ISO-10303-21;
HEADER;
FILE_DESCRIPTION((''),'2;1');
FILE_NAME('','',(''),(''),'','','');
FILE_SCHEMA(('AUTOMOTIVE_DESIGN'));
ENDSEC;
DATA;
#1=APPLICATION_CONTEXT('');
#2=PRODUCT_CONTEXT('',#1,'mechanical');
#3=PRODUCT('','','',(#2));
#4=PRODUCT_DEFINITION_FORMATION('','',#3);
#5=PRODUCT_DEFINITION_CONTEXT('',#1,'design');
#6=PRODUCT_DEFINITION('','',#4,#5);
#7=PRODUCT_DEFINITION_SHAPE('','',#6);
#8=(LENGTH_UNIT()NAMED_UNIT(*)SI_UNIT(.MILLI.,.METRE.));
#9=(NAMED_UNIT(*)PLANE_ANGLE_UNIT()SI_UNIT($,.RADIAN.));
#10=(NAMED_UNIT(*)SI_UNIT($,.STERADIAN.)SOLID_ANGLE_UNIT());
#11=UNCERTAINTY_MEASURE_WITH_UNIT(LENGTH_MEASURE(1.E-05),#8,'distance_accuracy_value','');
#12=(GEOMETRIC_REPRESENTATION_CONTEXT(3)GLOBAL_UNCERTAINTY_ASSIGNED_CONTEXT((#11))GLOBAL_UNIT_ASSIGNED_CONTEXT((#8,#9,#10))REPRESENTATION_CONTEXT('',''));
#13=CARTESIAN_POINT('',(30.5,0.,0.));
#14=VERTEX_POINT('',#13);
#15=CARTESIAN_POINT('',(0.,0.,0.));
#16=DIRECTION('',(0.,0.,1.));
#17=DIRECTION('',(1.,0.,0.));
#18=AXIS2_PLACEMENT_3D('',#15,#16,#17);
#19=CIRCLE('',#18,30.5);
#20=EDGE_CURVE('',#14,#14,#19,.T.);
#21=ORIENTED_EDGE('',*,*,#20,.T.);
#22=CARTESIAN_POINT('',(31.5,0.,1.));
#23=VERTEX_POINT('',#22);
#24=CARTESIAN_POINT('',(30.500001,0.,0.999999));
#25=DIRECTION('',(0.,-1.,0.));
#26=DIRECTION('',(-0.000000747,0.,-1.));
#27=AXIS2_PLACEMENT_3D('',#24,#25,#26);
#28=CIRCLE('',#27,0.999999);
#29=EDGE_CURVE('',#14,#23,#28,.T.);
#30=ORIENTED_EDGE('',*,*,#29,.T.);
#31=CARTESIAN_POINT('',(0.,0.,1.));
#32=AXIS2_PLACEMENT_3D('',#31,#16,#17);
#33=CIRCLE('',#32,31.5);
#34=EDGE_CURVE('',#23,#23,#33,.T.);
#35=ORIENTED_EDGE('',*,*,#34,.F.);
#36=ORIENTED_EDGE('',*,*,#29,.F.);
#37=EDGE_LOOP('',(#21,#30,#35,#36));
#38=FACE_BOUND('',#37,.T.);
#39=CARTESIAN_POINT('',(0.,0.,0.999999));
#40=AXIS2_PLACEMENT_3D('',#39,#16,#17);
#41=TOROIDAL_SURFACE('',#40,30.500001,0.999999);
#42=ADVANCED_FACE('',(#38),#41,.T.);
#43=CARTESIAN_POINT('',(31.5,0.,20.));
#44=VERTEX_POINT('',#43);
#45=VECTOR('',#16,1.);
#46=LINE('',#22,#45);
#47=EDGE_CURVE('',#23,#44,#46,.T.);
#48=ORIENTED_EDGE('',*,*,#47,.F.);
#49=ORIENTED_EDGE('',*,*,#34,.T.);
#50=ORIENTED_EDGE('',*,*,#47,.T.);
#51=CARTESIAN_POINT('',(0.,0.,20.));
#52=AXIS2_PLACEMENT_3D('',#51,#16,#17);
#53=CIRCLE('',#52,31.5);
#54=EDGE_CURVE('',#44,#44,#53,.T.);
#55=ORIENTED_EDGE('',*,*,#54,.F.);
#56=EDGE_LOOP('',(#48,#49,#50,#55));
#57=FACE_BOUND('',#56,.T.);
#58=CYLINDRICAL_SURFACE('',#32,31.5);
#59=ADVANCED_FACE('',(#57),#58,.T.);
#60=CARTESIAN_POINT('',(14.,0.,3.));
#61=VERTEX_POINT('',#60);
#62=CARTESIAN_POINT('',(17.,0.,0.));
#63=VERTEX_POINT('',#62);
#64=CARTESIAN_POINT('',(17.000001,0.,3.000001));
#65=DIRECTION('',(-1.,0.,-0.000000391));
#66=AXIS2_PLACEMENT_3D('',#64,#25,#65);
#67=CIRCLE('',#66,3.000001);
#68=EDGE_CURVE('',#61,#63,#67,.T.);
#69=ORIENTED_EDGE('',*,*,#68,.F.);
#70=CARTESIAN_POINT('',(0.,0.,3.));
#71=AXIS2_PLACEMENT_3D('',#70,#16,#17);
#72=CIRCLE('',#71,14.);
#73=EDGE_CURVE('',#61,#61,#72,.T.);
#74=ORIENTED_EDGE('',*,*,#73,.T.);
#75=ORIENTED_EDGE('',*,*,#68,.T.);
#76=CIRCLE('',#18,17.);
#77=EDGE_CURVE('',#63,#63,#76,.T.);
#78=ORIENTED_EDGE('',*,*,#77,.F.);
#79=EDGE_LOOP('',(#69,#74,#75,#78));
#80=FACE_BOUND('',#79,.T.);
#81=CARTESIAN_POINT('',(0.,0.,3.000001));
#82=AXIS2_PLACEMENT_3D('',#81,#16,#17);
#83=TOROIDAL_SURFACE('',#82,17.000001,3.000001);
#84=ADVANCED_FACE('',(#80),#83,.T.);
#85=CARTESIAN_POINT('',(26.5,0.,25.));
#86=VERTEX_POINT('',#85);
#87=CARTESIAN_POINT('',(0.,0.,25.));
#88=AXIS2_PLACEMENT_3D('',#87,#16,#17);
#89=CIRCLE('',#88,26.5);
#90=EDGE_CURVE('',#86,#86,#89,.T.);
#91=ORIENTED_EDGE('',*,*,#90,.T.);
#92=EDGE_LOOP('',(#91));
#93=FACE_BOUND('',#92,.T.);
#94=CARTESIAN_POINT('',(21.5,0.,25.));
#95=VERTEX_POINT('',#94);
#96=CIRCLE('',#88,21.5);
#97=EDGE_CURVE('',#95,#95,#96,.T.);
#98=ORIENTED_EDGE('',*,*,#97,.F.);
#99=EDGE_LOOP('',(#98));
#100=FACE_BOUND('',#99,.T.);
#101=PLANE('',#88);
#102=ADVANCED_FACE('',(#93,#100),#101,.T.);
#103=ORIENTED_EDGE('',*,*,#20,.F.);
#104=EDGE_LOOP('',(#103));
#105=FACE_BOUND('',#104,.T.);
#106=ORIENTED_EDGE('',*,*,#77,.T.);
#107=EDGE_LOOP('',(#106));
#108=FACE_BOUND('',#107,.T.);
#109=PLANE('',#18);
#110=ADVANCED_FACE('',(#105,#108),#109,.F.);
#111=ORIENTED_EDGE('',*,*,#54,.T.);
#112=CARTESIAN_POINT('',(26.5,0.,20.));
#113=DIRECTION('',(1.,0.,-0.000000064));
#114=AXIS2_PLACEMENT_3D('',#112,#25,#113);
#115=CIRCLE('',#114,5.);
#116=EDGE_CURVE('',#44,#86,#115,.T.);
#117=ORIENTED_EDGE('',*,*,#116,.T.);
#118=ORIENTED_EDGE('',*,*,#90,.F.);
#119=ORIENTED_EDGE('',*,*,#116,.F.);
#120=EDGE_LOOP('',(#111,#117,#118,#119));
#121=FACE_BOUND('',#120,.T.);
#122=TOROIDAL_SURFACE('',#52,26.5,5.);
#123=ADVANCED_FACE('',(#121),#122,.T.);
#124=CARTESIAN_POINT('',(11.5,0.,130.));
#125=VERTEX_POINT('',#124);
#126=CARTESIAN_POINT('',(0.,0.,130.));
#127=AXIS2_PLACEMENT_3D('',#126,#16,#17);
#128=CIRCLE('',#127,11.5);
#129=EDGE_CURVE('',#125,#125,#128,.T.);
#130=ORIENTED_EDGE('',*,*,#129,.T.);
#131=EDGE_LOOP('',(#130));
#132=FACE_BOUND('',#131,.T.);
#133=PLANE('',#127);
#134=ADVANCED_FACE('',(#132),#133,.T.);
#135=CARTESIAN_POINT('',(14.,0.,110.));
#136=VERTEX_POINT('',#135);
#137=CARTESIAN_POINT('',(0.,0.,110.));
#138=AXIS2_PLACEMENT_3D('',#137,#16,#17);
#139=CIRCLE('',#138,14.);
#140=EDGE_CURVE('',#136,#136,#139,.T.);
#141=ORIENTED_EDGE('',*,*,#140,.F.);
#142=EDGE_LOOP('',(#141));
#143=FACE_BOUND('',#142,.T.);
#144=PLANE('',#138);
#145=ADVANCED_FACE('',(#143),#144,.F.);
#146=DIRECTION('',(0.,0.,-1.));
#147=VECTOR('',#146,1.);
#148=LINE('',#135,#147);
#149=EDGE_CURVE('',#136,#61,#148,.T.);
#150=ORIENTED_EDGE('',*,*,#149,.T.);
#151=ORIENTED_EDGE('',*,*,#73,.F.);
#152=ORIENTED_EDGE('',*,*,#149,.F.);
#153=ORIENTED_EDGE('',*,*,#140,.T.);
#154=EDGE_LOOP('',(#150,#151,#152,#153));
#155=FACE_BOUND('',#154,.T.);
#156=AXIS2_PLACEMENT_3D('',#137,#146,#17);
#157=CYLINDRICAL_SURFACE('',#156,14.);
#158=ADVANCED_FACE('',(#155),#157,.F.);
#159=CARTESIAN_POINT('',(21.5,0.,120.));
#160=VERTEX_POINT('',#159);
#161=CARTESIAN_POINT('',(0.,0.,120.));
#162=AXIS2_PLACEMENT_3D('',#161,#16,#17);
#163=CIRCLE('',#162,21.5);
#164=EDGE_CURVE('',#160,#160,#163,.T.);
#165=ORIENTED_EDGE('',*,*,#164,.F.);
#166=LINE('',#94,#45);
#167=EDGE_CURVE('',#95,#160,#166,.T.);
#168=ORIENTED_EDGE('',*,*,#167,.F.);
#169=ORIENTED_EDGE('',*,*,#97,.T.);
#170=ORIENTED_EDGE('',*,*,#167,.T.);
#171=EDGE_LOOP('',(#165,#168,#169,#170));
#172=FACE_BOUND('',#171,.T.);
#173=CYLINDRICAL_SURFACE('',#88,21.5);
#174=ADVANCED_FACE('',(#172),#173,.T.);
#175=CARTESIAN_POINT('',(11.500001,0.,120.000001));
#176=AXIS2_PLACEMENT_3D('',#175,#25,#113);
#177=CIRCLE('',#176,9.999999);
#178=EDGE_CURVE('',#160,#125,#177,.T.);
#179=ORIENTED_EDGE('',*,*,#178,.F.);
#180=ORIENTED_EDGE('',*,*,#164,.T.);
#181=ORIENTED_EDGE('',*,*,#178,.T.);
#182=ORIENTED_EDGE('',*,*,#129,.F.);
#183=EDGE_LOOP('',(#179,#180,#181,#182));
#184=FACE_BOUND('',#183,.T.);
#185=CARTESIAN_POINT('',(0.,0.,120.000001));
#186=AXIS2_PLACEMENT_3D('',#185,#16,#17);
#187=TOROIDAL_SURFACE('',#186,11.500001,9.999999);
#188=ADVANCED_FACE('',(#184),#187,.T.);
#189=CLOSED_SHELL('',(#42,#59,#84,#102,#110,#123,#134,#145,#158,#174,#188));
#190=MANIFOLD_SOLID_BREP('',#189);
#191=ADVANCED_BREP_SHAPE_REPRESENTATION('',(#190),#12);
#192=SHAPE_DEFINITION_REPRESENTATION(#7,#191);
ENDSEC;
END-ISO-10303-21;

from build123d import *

# Parameters (mm, degrees)
F0_W = 7.5
F0_H = 85


with BuildPart() as f1:
    # F0 (on Front) → F1 (revolve)
    with BuildSketch(Plane.XZ):
        with Locations((17.75, 67.5)):
            Rectangle(F0_W, F0_H)
        with BuildLine():
            ThreePointArc((14, 3), (14.87868, 0.87868), (17, 0))
            Line((17, 0), (30.5, 0))
            ThreePointArc((30.5, 0), (31.207107, 0.292893), (31.5, 1))
            Line((31.5, 1), (31.5, 20))
            ThreePointArc((31.5, 20), (30.035534, 23.535534), (26.5, 25))
            Line((26.5, 25), (21.5, 25))
            Line((21.5, 25), (14, 25))
            Line((14, 25), (14, 3))
        make_face()
        with BuildLine():
            Line((0, 110), (14, 110))
            Line((14, 110), (21.5, 110))
            Line((21.5, 110), (21.5, 120))
            ThreePointArc((21.5, 120), (18.571068, 127.071068), (11.5, 130))
            Line((11.5, 130), (0, 130))
            Line((0, 130), (0, 110))
        make_face()
    revolve(axis=Axis((0, 0, 120), (0, 0, 1)))


solid = f1.part
